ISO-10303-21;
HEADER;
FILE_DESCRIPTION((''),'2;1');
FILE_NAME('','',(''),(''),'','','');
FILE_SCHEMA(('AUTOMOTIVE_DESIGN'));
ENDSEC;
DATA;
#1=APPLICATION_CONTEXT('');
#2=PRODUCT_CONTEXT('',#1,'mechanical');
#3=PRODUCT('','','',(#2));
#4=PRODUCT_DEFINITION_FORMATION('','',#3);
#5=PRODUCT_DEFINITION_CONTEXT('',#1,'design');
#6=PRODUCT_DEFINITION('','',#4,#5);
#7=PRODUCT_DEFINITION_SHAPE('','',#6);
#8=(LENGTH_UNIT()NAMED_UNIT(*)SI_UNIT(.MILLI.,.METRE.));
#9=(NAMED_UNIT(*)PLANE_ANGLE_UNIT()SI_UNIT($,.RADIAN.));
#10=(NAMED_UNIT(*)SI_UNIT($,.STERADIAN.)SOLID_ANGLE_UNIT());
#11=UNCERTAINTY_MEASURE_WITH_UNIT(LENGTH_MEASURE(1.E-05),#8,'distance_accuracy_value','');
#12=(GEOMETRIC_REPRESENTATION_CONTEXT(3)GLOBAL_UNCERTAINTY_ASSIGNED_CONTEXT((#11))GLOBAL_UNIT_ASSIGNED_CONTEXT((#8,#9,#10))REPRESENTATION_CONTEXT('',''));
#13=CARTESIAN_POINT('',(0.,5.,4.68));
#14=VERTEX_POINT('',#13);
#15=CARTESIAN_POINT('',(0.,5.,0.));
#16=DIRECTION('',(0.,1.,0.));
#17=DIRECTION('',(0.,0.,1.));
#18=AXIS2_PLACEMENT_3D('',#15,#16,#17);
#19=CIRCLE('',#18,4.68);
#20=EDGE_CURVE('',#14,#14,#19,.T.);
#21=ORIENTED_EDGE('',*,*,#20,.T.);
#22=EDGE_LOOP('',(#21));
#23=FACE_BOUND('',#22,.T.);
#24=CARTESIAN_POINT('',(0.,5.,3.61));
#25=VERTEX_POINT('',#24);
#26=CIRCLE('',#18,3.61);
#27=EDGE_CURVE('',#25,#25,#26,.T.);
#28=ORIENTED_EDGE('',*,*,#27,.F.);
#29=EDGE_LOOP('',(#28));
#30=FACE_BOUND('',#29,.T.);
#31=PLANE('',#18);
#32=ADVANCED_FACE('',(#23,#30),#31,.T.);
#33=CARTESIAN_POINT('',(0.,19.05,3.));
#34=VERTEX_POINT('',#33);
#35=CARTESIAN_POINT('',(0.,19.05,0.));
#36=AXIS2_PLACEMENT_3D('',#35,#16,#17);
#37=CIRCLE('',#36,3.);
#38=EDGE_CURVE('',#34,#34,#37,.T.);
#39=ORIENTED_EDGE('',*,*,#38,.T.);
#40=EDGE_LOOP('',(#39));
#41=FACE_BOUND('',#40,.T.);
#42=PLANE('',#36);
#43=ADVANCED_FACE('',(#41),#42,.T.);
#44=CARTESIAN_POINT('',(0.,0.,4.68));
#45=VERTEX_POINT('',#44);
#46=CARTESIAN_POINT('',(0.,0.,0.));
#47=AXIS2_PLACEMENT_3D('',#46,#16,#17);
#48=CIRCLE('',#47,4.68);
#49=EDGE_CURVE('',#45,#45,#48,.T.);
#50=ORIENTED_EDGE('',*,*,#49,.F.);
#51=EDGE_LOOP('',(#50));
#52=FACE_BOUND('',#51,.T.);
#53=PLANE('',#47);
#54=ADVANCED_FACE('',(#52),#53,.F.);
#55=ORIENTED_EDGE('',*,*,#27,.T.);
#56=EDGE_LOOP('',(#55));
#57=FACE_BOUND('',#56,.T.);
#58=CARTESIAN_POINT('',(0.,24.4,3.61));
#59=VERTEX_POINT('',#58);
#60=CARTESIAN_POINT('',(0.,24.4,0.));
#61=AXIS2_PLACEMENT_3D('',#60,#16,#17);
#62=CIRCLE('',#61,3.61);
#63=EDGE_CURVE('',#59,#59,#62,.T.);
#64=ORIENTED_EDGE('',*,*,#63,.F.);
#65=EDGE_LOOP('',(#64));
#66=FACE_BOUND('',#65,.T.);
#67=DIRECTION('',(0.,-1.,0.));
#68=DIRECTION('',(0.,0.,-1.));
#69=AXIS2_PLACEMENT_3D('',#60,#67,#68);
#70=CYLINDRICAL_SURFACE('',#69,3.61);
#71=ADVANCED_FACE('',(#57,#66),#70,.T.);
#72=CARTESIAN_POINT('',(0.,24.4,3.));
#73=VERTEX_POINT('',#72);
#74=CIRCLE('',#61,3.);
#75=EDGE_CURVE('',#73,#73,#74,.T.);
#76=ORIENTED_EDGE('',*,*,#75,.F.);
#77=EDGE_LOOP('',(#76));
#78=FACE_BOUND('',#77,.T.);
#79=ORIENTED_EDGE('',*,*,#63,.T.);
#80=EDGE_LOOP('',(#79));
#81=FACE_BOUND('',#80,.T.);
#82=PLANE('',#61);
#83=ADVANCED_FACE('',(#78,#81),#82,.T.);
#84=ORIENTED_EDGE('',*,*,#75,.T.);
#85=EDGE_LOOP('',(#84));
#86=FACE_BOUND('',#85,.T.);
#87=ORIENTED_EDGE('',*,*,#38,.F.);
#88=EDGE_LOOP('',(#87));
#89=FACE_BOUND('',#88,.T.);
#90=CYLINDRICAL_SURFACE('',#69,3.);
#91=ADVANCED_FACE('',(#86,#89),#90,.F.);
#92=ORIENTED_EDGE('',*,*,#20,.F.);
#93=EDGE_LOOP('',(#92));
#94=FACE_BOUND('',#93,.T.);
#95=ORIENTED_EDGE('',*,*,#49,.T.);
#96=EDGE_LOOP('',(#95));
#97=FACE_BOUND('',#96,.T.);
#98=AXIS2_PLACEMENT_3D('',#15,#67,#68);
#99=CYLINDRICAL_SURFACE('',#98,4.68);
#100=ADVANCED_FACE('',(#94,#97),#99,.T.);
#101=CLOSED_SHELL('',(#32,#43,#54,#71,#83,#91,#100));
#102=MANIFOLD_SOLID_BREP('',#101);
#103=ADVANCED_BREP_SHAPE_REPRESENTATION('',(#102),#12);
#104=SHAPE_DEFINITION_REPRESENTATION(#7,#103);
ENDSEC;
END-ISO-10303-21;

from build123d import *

# Parameters (mm, degrees)
SKETCH1_R           = 4.68
BOSS_EXTRUDE1_DEPTH = 5
SKETCH2_R           = 3.61
SKETCH2_R_2         = 3
BOSS_EXTRUDE2_DEPTH = 19.4
SKETCH3_R           = 3
BOSS_EXTRUDE4_DEPTH = 14.05


with BuildPart() as part:
    # Sketch1 → Boss-Extrude1 (new body)
    with BuildSketch(Plane(origin=(0, 0, 0), x_dir=(1, 0, 0), z_dir=(0, 1, 0))):
        with Locations(Location((0, 0, 0), (0, 0, 270))):
            Circle(SKETCH1_R)
    extrude(amount=BOSS_EXTRUDE1_DEPTH)

    # Sketch2 → Boss-Extrude2 (add)
    with BuildSketch(Plane(origin=(0, 5, 0), x_dir=(1, 0, 0), z_dir=(0, 1, 0))):
        with Locations(Location((0, 0, 0), (0, 0, 270))):
            Circle(SKETCH2_R)
        with Locations(Location((0, 0, 0), (0, 0, 270))):
            Circle(SKETCH2_R_2, mode=Mode.SUBTRACT)
    extrude(amount=BOSS_EXTRUDE2_DEPTH)

    # Sketch3 → Boss-Extrude4 (add)
    with BuildSketch(Plane(origin=(0, 5, 0), x_dir=(1, 0, 0), z_dir=(0, 1, 0))):
        with Locations(Location((0, 0, 0), (0, 0, 270))):
            Circle(SKETCH3_R)
    extrude(amount=BOSS_EXTRUDE4_DEPTH)


solid = part.part
